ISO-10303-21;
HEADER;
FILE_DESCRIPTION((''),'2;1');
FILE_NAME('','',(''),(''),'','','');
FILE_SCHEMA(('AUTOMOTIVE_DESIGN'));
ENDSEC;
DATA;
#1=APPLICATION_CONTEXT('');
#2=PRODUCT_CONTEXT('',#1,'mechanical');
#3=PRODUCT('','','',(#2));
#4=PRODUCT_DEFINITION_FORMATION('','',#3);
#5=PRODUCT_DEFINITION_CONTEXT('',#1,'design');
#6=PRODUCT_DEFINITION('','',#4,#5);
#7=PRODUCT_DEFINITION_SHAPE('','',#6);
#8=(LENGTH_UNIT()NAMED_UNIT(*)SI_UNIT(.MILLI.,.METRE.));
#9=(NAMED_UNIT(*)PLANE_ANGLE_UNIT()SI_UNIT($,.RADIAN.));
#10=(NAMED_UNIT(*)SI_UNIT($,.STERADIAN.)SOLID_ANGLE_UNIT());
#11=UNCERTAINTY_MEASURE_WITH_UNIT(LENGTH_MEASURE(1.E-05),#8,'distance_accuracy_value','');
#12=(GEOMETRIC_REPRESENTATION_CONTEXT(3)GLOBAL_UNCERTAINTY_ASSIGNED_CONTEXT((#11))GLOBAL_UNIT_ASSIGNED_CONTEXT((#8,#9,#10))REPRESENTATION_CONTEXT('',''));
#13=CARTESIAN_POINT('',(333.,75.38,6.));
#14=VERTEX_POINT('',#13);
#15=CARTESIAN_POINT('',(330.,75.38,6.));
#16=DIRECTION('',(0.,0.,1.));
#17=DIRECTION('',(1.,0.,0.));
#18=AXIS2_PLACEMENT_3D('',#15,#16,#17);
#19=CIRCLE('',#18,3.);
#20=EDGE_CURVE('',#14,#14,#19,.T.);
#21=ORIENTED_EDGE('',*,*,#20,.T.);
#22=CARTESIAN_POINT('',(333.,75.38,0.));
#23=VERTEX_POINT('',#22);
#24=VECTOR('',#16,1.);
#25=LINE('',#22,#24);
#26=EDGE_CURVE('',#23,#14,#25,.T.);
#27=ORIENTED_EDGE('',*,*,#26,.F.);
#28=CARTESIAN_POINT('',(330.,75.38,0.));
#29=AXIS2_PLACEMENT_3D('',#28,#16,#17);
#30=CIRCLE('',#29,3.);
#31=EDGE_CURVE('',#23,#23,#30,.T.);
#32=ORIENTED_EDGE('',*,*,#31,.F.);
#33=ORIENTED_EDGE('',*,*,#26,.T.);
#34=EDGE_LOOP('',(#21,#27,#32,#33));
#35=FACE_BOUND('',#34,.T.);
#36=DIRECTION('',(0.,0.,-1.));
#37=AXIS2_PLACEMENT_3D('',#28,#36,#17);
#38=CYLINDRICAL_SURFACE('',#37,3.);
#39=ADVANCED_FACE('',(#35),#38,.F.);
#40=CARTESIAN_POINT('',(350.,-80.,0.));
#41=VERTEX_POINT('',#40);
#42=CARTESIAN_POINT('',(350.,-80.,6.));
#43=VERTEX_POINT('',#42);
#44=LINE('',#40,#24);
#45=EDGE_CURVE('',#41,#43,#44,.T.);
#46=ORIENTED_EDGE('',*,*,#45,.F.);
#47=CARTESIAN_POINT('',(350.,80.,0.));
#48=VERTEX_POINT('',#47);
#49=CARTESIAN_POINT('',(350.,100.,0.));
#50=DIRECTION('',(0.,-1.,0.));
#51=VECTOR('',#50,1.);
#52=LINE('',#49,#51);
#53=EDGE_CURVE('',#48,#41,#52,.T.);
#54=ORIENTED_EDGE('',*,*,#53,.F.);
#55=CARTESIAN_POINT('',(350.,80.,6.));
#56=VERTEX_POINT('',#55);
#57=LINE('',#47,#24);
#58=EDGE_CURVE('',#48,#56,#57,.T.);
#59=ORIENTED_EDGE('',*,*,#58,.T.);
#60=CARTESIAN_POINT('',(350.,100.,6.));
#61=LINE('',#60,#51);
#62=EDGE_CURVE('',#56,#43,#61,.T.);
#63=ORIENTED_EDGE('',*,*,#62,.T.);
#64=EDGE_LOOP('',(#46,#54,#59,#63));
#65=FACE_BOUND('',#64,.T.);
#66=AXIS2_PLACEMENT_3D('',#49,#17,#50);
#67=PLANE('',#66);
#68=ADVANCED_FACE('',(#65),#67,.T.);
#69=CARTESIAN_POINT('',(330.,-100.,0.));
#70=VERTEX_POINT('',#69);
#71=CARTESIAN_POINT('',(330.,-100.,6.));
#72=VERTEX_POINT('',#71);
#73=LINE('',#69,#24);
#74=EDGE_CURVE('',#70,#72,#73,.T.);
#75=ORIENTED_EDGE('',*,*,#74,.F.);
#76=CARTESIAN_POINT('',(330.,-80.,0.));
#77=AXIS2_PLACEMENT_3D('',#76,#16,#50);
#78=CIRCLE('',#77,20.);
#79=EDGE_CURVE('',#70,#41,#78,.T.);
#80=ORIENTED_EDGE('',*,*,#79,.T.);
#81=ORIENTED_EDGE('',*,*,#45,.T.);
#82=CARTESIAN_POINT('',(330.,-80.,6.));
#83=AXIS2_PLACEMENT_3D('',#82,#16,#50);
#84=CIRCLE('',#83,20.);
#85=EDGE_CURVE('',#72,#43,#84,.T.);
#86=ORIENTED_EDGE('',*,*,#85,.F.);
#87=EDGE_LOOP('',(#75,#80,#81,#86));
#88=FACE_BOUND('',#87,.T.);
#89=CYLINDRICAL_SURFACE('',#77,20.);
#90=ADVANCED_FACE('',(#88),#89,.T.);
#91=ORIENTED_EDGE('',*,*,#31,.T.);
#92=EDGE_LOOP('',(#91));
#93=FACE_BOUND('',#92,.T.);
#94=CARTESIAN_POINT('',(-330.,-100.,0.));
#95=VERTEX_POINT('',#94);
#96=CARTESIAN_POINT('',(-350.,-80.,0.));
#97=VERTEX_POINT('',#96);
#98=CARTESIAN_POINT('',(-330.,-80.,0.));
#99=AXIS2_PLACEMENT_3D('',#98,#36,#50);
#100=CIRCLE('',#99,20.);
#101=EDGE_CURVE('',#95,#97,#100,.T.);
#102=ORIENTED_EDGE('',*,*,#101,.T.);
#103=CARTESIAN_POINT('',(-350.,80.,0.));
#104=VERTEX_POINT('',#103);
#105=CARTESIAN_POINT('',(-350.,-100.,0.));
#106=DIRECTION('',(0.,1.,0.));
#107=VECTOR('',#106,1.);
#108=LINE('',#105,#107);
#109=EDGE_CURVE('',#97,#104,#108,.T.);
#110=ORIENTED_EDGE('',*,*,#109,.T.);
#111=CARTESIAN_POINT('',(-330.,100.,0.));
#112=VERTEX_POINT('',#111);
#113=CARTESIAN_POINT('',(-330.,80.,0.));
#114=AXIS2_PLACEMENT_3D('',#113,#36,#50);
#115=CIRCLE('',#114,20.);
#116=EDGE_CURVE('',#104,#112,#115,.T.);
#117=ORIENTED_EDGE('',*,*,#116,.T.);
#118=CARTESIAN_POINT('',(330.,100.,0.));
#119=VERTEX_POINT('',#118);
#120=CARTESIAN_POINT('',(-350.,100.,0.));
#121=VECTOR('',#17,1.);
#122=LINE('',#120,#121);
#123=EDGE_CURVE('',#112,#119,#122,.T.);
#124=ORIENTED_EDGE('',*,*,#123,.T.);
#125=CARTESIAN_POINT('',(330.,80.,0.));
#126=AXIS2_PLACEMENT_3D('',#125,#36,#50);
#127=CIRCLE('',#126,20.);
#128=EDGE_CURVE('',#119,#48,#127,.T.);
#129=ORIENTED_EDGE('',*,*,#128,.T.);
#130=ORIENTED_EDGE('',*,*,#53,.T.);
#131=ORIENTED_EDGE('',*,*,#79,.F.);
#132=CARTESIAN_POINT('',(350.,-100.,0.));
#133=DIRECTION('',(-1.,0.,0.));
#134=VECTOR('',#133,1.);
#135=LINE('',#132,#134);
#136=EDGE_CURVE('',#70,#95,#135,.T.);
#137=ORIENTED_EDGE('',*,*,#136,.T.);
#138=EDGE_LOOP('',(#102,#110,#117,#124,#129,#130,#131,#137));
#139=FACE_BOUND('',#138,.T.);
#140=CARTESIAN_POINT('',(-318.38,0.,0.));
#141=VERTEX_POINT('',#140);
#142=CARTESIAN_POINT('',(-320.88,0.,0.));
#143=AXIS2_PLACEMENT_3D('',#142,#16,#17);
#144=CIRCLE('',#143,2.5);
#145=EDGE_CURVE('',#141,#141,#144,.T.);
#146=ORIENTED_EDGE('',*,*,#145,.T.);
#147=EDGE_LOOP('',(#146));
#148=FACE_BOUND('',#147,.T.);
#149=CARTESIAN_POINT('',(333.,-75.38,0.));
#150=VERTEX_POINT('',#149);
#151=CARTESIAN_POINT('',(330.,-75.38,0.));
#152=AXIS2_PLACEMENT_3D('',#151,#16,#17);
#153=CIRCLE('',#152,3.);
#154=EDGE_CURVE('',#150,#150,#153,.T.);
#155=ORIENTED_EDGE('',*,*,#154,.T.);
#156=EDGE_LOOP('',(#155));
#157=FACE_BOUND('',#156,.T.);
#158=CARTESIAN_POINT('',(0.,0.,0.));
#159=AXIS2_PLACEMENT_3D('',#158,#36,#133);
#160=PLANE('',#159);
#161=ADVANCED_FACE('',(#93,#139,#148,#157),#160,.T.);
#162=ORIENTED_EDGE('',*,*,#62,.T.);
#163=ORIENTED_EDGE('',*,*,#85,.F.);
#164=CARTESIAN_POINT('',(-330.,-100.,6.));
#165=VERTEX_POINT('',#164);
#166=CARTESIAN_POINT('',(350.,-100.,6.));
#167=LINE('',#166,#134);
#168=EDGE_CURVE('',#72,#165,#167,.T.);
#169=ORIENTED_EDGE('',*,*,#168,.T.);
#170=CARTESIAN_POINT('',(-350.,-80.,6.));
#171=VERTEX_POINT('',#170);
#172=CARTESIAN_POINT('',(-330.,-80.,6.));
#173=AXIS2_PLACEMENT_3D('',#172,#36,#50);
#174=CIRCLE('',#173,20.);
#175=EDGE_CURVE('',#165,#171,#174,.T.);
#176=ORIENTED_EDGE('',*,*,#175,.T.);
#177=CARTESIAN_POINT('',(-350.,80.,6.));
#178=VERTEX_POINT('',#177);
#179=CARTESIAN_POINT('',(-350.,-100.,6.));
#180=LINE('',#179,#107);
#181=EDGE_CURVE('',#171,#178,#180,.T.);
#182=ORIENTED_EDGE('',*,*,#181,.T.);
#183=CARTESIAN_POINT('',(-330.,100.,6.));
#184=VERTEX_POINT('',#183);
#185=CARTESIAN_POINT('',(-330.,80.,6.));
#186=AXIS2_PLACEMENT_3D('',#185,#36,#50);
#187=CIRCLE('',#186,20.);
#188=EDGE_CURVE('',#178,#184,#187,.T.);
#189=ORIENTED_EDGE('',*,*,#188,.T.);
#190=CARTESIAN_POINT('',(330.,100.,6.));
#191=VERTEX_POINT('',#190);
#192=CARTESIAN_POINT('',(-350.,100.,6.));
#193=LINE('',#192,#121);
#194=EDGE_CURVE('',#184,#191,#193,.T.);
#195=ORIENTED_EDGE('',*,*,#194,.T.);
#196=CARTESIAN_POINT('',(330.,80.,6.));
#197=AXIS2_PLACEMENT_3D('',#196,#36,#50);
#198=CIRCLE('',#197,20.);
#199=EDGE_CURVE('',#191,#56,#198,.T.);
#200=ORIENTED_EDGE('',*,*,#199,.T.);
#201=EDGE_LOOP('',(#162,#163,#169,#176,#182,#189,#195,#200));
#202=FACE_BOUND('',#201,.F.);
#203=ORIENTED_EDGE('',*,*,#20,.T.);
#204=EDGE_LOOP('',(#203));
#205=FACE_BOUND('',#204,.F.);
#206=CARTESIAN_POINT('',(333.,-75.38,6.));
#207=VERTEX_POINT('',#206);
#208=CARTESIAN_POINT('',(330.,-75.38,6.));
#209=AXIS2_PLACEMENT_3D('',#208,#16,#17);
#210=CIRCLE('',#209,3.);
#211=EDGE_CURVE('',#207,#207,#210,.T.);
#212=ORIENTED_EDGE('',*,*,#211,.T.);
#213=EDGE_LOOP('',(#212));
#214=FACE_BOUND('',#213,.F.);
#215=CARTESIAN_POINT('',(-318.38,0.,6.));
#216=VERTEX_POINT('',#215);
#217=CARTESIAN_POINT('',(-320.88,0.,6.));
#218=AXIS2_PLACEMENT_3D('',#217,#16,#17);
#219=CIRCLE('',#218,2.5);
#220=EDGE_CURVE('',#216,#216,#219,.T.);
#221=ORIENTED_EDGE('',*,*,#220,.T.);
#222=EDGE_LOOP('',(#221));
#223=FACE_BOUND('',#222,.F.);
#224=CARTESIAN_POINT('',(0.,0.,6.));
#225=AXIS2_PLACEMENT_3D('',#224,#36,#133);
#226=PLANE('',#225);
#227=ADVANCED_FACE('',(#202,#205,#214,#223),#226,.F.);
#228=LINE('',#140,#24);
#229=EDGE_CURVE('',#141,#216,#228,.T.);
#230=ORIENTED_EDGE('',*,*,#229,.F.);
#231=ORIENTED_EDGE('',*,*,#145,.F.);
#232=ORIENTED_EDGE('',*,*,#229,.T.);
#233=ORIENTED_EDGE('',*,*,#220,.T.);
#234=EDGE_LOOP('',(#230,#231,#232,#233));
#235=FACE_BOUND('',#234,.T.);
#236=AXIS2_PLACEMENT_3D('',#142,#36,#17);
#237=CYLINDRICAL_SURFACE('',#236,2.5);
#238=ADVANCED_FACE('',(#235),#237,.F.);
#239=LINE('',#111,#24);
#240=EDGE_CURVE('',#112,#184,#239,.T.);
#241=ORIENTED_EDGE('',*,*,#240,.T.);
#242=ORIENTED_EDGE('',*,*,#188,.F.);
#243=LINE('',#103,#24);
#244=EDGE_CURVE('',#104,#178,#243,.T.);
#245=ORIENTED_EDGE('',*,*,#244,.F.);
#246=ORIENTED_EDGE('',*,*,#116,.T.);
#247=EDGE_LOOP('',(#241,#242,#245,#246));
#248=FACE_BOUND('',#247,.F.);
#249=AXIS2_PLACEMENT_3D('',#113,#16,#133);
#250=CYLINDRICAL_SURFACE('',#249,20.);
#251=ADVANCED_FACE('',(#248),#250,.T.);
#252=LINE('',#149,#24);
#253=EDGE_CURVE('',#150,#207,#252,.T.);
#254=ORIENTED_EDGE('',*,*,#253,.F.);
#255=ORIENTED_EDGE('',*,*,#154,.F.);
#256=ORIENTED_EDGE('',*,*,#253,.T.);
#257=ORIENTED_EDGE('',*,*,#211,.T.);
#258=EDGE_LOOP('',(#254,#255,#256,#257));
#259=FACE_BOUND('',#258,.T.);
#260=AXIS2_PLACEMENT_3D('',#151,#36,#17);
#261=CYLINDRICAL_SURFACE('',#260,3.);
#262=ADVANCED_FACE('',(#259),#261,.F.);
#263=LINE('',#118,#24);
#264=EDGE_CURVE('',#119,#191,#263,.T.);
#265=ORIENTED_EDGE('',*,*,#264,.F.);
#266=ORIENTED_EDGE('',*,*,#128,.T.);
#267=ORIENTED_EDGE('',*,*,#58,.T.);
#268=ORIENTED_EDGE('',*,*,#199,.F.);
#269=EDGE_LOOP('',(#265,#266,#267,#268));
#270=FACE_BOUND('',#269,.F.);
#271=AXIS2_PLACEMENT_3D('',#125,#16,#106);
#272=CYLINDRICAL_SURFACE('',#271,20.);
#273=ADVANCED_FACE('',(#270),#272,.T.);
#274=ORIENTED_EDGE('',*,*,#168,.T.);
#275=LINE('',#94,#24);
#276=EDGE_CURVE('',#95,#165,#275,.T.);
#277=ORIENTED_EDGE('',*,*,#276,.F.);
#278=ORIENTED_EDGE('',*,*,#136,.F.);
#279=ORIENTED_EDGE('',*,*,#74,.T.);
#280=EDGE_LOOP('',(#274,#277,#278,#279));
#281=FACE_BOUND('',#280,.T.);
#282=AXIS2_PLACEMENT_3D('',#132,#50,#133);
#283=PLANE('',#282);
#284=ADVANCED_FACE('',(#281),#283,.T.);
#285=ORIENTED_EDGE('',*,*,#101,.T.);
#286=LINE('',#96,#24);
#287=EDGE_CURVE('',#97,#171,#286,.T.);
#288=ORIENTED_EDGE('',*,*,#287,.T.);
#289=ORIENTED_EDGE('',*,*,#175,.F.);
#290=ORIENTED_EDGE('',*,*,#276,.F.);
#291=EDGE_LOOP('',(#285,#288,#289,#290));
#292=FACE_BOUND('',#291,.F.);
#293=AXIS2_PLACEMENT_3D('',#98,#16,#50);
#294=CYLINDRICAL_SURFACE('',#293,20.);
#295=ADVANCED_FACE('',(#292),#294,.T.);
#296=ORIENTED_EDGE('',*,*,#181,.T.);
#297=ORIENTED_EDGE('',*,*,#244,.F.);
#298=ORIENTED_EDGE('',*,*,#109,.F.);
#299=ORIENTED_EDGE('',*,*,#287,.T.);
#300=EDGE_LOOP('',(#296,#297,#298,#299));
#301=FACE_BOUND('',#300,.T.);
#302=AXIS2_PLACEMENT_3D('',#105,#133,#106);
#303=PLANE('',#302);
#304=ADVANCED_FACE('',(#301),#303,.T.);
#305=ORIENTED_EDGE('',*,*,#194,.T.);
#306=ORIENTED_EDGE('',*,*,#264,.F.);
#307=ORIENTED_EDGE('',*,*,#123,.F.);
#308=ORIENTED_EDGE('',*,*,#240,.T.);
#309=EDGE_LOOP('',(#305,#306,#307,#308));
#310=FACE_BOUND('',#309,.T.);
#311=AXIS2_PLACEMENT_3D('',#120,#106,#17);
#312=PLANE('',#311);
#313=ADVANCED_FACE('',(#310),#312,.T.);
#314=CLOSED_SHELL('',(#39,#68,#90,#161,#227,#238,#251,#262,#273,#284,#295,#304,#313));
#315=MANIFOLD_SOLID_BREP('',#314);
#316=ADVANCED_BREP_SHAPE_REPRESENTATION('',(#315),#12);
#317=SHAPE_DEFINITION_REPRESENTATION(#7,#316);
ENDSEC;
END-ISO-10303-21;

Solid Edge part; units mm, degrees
sketch "Sketch1" plane through (0, 0, 0) normal (0, 0, 1) x (1, 0, 0)
  line L0 (350, -100) -> (-350, -100)
  line L1 (-350, -100) -> (-350, 100)
  line L2 (-350, 100) -> (350, 100)
  line L3 (350, 100) -> (350, -100)
  circle A0 centre (-320.88, 0) radius 2.5
  circle A1 centre (330, 75.38) radius 3
  circle A2 centre (330, -75.38) radius 3
  dimension "D1" = 200
  dimension "D2" = 700
  dimension "D3" = 150.76
  dimension "D4" = 6
  dimension "D5" = 75.38
  dimension "D6" = 650.88
  dimension "D7" = 20
extrude "Protrusion1" add sketch "Sketch1" along normal blind 6
fillet "Round_1" radius 20 4 edges at (-350, -100, 3) (-350, 100, 3) (350, -100, 3) (350, 100, 3)
